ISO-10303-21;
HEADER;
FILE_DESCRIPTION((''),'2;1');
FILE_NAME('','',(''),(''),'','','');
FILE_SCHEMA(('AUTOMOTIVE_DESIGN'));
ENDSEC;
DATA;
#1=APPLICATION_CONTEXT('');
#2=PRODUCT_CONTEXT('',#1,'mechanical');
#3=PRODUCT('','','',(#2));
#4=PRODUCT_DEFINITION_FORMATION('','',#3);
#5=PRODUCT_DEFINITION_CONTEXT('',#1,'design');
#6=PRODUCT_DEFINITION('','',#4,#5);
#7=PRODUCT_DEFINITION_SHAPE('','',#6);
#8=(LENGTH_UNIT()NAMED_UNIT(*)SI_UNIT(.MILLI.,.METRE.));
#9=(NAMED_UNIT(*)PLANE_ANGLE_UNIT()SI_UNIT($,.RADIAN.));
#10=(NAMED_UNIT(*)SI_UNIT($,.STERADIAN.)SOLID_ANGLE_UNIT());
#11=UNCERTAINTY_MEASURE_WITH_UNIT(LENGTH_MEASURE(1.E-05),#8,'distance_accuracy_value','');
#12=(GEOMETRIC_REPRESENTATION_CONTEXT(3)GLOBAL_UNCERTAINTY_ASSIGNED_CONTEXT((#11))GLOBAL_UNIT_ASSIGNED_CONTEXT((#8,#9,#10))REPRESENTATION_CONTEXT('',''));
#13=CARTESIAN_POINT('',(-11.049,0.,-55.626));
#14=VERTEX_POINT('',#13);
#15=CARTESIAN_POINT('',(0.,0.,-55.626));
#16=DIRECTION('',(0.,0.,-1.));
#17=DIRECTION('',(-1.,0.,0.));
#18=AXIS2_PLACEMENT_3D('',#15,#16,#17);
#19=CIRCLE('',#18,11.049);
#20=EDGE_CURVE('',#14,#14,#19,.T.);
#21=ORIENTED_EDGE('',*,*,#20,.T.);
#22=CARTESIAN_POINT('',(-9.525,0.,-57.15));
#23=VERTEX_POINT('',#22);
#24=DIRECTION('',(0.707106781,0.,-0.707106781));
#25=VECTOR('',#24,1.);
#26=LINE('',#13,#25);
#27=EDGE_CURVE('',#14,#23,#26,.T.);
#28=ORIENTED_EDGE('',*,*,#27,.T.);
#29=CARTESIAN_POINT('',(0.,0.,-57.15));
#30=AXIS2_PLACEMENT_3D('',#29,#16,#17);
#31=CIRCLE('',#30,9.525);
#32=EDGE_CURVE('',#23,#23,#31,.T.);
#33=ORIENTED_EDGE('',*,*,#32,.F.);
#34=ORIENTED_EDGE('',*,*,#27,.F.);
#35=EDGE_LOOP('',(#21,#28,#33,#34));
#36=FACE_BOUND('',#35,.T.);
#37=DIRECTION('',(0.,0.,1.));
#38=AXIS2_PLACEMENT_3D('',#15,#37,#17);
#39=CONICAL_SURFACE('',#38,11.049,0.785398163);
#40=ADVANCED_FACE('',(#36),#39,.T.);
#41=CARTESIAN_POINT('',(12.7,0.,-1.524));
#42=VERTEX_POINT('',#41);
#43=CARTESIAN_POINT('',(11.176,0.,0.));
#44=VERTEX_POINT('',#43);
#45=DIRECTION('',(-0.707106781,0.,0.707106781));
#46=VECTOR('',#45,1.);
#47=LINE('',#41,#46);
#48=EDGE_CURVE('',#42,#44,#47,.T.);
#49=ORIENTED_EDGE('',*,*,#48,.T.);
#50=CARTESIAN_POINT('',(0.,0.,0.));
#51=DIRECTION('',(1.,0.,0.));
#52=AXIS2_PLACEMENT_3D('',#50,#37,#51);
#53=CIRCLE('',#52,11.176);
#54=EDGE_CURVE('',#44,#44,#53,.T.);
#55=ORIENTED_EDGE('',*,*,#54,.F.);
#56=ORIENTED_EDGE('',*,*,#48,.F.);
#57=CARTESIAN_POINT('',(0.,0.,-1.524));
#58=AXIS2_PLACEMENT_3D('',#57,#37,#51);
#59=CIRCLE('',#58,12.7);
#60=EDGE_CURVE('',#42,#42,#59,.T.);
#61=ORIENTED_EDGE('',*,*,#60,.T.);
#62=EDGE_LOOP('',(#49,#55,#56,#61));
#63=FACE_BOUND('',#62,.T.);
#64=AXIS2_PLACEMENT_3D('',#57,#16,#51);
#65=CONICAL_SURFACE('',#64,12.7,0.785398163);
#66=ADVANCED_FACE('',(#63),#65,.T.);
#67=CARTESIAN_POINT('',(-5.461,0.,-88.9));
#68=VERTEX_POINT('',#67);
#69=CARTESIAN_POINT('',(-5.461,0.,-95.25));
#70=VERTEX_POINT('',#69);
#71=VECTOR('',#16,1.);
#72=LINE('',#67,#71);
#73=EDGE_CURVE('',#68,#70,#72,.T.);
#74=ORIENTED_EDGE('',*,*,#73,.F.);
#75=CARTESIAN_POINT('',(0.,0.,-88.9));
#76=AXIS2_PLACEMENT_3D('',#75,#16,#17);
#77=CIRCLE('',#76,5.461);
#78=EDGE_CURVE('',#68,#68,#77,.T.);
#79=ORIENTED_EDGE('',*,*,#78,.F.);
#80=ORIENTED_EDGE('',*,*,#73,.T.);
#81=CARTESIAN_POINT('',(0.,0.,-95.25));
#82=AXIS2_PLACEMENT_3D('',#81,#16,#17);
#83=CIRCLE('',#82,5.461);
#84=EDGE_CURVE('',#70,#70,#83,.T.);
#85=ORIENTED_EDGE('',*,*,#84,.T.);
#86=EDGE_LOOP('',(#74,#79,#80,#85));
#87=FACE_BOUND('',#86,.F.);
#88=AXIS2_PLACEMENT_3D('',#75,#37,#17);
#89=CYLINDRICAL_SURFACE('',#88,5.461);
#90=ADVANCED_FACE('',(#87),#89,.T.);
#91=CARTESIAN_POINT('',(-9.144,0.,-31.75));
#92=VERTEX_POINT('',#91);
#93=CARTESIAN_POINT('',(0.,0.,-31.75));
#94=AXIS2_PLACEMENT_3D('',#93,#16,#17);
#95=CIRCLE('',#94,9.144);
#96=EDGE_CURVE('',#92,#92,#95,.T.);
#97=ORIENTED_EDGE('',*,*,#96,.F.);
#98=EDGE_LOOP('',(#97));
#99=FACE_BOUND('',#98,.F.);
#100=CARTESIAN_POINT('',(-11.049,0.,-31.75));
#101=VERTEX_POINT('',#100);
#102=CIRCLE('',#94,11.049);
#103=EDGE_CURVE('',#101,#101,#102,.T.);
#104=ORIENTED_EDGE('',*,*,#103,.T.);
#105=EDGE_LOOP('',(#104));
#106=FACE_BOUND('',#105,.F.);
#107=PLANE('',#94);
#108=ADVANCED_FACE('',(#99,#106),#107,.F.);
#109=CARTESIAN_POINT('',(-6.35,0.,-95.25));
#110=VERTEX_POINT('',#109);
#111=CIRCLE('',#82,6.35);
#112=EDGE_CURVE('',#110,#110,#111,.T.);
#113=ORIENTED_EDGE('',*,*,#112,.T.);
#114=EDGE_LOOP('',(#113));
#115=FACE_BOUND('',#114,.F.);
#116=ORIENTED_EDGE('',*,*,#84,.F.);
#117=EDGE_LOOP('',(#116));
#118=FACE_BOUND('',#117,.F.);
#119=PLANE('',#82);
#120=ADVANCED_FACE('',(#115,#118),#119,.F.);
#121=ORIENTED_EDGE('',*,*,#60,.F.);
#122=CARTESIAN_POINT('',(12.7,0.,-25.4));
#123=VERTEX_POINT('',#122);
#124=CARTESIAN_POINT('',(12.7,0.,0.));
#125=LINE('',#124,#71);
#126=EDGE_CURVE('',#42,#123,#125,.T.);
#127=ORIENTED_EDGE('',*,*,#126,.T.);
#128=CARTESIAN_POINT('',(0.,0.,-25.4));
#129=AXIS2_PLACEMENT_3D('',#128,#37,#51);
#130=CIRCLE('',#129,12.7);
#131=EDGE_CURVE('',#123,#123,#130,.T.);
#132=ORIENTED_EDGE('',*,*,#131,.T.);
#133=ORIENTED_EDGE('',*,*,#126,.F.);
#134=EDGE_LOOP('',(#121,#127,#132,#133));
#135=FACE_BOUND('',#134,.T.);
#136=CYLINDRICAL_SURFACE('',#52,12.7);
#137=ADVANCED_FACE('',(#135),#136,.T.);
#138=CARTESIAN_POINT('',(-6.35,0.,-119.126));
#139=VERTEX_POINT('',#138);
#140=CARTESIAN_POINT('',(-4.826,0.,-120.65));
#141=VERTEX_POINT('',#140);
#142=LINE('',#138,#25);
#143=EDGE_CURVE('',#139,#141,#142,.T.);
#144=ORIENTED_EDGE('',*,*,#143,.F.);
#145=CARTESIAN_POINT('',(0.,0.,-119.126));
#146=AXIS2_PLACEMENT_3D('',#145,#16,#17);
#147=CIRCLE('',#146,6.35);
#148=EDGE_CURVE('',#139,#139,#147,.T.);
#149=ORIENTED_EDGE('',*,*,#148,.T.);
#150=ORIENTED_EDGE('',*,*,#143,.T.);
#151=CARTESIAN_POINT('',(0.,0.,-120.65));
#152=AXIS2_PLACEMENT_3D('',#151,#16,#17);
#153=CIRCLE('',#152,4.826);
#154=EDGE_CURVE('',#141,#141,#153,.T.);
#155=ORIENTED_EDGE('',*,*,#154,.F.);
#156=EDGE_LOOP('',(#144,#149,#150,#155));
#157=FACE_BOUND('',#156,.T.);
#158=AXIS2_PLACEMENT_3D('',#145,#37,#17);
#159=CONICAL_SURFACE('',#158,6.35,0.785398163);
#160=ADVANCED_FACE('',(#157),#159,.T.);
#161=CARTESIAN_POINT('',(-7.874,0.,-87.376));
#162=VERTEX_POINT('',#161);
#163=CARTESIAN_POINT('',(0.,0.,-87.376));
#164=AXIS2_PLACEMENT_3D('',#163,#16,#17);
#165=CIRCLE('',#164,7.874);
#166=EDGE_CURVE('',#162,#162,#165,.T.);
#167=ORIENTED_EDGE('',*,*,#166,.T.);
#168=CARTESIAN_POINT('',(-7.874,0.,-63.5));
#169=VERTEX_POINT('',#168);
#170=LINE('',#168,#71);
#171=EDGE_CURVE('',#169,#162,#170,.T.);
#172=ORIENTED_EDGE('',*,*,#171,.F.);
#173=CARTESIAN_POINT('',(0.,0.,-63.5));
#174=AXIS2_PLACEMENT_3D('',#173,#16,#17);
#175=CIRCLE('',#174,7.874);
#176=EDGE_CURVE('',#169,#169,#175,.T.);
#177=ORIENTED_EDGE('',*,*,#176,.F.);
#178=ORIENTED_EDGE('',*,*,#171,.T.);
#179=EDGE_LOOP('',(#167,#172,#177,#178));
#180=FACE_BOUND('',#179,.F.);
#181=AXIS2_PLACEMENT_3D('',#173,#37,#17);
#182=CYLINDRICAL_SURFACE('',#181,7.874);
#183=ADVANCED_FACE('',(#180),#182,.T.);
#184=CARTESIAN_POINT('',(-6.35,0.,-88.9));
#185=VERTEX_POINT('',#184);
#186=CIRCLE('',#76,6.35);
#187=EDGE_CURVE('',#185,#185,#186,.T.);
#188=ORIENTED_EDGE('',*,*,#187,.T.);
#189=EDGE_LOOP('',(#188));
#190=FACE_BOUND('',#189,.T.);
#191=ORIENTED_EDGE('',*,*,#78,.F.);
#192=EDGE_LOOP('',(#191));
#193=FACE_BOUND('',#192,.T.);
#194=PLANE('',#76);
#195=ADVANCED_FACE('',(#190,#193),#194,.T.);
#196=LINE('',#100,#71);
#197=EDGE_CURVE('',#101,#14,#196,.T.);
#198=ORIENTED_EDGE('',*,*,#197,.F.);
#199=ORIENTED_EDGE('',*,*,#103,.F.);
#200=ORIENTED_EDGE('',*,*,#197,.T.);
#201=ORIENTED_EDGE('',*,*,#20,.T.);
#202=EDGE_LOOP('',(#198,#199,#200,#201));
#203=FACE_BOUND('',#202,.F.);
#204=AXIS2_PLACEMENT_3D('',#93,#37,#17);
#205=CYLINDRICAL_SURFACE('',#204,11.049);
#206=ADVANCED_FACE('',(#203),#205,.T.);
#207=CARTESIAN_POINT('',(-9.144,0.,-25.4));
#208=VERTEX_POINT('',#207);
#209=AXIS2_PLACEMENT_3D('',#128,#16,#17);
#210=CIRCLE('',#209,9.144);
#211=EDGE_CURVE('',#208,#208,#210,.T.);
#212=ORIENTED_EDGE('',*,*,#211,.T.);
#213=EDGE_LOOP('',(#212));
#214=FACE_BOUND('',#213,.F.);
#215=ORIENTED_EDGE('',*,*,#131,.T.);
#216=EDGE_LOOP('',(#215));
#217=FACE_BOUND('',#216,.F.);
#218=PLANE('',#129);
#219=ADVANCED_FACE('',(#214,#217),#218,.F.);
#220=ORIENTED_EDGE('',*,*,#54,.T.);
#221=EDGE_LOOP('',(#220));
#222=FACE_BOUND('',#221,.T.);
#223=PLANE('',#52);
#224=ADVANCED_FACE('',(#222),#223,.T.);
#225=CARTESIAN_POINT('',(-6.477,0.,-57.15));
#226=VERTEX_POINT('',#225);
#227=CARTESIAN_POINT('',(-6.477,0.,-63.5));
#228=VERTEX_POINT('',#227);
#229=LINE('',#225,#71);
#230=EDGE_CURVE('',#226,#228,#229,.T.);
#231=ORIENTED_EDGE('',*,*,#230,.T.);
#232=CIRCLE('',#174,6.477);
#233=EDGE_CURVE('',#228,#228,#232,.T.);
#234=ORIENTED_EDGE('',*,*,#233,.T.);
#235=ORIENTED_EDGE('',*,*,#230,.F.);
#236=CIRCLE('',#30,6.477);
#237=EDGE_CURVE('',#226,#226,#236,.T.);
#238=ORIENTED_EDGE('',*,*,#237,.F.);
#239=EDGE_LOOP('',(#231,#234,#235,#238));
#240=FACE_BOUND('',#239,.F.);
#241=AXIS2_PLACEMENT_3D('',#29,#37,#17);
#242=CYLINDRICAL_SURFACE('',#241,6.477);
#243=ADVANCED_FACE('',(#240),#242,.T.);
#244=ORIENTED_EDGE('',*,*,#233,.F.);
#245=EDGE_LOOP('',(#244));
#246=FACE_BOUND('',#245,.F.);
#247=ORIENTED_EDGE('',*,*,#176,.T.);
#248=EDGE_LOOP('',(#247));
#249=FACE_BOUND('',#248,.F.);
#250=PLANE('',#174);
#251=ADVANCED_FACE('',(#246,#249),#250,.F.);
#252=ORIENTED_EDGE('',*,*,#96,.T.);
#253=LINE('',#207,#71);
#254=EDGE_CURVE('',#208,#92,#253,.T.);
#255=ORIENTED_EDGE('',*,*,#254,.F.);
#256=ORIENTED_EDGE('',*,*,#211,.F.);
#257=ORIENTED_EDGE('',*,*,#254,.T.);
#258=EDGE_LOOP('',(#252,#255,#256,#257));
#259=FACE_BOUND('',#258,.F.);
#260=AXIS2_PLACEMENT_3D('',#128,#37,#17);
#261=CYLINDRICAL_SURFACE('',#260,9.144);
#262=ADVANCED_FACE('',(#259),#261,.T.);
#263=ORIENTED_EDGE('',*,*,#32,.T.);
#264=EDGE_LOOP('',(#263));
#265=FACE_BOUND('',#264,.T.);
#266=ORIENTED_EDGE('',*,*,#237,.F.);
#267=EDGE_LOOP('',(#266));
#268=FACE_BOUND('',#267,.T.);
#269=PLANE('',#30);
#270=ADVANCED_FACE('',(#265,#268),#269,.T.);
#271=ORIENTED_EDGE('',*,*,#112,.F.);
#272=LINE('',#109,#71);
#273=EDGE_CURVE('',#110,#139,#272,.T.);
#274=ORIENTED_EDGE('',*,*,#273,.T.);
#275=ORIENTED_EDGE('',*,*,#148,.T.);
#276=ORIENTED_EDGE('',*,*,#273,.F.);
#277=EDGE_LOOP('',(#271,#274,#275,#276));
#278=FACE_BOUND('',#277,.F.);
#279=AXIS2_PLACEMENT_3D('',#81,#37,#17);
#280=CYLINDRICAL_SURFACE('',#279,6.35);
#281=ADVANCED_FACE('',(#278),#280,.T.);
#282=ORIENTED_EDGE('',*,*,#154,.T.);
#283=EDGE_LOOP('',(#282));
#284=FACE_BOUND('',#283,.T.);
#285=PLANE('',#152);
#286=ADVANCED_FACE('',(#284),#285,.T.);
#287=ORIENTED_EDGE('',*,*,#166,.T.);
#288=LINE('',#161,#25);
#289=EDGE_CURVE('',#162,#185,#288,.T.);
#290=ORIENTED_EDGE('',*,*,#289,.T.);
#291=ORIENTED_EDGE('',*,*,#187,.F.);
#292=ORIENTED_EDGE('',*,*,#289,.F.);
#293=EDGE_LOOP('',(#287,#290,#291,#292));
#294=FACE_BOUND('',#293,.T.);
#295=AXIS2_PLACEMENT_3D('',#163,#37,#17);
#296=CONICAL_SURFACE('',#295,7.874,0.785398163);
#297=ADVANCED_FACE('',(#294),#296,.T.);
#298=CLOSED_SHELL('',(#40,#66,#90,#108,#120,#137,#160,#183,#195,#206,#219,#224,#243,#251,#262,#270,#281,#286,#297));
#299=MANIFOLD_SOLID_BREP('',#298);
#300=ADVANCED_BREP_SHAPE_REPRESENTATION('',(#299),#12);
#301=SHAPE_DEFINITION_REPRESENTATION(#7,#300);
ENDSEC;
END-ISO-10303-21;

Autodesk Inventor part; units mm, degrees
ref_plane "YZ Plane" through (0, 0, 0) normal (1, 0, 0) x (0, 1, 0)
ref_plane "XZ Plane" through (0, 0, 0) normal (0, 1, 0) x (-1, 0, 0)
ref_plane "XY Plane" through (0, 0, 0) normal (0, 0, 1) x (1, 0, 0)
sketch "Sketch2" plane through (0, 0, 0) normal (0, 0, 1) x (1, 0, 0)
  circle A0 centre (0, 0) radius 12.7
  dimension "d4" = 25.4
extrude "Extrusion2" add sketch "Sketch2" against normal blind 25.4
chamfer "Chamfer1" distance 1.524 angle 45 1 edges at (-12.7, 0, 0) measured on face at (-3.6254, -0.9542, 0)
sketch "Sketch3" plane through (0, 0, -25.4) normal (0, 0, -1) x (-1, 0, 0)
  circle A0 centre (0, 0) radius 9.144
  dimension "d10" = 18.288
extrude "Extrusion3" add sketch "Sketch3" along normal blind 6.35
sketch "Sketch4" plane through (0, 0, -31.75) normal (0, 0, -1) x (-1, 0, 0)
  circle A0 centre (0, 0) radius 11.049
  dimension "d13" = 22.098
extrude "Extrusion4" add sketch "Sketch4" along normal blind 25.4
thread "Thread1" size "7/8-9 UNC" class "2A" standard "ANSI Unified Screw Threads" full length
chamfer "Chamfer2" distance 1.524 angle 45 1 edges at (11.049, 0, -57.15) measured on face at (-0.3422, 2.8186, -57.15)
sketch "Sketch5" plane through (0, 0, -57.15) normal (0, 0, -1) x (-1, 0, 0)
  circle A0 centre (0, 0) radius 6.477
  dimension "d21" = 12.954
extrude "Extrusion5" add sketch "Sketch5" along normal blind 6.35
sketch "Sketch6" plane through (0, 0, -63.5) normal (0, 0, -1) x (-1, 0, 0)
  circle A0 centre (0, 0) radius 7.874
  dimension "d24" = 15.748
extrude "Extrusion6" add sketch "Sketch6" along normal blind 25.4
thread "Thread2" size "5/8-11 UNC" class "2A" standard "ANSI Unified Screw Threads" full length
chamfer "Chamfer3" distance 1.524 angle 45 1 edges at (7.874, 0, -88.9) measured on face at (-0.2439, 2.0086, -88.9)
sketch "Sketch7" plane through (0, 0, -88.9) normal (0, 0, -1) x (-1, 0, 0)
  circle A0 centre (0, 0) radius 5.461
  dimension "d32" = 10.922
extrude "Extrusion7" add sketch "Sketch7" along normal blind 6.35
sketch "Sketch8" plane through (0, 0, -95.25) normal (0, 0, -1) x (-1, 0, 0)
  circle A0 centre (0, 0) radius 6.35
  dimension "d35" = 12.7
extrude "Extrusion8" add sketch "Sketch8" along normal blind 25.4
thread "Thread3" size "1/2-20 UNF" class "2A" standard "ANSI Unified Screw Threads" full length
chamfer "Chamfer4" distance 1.524 angle 45 1 edges at (6.35, 0, -120.65) measured on face at (1.8127, -0.4771, -120.65)
properties part number "13_3"
